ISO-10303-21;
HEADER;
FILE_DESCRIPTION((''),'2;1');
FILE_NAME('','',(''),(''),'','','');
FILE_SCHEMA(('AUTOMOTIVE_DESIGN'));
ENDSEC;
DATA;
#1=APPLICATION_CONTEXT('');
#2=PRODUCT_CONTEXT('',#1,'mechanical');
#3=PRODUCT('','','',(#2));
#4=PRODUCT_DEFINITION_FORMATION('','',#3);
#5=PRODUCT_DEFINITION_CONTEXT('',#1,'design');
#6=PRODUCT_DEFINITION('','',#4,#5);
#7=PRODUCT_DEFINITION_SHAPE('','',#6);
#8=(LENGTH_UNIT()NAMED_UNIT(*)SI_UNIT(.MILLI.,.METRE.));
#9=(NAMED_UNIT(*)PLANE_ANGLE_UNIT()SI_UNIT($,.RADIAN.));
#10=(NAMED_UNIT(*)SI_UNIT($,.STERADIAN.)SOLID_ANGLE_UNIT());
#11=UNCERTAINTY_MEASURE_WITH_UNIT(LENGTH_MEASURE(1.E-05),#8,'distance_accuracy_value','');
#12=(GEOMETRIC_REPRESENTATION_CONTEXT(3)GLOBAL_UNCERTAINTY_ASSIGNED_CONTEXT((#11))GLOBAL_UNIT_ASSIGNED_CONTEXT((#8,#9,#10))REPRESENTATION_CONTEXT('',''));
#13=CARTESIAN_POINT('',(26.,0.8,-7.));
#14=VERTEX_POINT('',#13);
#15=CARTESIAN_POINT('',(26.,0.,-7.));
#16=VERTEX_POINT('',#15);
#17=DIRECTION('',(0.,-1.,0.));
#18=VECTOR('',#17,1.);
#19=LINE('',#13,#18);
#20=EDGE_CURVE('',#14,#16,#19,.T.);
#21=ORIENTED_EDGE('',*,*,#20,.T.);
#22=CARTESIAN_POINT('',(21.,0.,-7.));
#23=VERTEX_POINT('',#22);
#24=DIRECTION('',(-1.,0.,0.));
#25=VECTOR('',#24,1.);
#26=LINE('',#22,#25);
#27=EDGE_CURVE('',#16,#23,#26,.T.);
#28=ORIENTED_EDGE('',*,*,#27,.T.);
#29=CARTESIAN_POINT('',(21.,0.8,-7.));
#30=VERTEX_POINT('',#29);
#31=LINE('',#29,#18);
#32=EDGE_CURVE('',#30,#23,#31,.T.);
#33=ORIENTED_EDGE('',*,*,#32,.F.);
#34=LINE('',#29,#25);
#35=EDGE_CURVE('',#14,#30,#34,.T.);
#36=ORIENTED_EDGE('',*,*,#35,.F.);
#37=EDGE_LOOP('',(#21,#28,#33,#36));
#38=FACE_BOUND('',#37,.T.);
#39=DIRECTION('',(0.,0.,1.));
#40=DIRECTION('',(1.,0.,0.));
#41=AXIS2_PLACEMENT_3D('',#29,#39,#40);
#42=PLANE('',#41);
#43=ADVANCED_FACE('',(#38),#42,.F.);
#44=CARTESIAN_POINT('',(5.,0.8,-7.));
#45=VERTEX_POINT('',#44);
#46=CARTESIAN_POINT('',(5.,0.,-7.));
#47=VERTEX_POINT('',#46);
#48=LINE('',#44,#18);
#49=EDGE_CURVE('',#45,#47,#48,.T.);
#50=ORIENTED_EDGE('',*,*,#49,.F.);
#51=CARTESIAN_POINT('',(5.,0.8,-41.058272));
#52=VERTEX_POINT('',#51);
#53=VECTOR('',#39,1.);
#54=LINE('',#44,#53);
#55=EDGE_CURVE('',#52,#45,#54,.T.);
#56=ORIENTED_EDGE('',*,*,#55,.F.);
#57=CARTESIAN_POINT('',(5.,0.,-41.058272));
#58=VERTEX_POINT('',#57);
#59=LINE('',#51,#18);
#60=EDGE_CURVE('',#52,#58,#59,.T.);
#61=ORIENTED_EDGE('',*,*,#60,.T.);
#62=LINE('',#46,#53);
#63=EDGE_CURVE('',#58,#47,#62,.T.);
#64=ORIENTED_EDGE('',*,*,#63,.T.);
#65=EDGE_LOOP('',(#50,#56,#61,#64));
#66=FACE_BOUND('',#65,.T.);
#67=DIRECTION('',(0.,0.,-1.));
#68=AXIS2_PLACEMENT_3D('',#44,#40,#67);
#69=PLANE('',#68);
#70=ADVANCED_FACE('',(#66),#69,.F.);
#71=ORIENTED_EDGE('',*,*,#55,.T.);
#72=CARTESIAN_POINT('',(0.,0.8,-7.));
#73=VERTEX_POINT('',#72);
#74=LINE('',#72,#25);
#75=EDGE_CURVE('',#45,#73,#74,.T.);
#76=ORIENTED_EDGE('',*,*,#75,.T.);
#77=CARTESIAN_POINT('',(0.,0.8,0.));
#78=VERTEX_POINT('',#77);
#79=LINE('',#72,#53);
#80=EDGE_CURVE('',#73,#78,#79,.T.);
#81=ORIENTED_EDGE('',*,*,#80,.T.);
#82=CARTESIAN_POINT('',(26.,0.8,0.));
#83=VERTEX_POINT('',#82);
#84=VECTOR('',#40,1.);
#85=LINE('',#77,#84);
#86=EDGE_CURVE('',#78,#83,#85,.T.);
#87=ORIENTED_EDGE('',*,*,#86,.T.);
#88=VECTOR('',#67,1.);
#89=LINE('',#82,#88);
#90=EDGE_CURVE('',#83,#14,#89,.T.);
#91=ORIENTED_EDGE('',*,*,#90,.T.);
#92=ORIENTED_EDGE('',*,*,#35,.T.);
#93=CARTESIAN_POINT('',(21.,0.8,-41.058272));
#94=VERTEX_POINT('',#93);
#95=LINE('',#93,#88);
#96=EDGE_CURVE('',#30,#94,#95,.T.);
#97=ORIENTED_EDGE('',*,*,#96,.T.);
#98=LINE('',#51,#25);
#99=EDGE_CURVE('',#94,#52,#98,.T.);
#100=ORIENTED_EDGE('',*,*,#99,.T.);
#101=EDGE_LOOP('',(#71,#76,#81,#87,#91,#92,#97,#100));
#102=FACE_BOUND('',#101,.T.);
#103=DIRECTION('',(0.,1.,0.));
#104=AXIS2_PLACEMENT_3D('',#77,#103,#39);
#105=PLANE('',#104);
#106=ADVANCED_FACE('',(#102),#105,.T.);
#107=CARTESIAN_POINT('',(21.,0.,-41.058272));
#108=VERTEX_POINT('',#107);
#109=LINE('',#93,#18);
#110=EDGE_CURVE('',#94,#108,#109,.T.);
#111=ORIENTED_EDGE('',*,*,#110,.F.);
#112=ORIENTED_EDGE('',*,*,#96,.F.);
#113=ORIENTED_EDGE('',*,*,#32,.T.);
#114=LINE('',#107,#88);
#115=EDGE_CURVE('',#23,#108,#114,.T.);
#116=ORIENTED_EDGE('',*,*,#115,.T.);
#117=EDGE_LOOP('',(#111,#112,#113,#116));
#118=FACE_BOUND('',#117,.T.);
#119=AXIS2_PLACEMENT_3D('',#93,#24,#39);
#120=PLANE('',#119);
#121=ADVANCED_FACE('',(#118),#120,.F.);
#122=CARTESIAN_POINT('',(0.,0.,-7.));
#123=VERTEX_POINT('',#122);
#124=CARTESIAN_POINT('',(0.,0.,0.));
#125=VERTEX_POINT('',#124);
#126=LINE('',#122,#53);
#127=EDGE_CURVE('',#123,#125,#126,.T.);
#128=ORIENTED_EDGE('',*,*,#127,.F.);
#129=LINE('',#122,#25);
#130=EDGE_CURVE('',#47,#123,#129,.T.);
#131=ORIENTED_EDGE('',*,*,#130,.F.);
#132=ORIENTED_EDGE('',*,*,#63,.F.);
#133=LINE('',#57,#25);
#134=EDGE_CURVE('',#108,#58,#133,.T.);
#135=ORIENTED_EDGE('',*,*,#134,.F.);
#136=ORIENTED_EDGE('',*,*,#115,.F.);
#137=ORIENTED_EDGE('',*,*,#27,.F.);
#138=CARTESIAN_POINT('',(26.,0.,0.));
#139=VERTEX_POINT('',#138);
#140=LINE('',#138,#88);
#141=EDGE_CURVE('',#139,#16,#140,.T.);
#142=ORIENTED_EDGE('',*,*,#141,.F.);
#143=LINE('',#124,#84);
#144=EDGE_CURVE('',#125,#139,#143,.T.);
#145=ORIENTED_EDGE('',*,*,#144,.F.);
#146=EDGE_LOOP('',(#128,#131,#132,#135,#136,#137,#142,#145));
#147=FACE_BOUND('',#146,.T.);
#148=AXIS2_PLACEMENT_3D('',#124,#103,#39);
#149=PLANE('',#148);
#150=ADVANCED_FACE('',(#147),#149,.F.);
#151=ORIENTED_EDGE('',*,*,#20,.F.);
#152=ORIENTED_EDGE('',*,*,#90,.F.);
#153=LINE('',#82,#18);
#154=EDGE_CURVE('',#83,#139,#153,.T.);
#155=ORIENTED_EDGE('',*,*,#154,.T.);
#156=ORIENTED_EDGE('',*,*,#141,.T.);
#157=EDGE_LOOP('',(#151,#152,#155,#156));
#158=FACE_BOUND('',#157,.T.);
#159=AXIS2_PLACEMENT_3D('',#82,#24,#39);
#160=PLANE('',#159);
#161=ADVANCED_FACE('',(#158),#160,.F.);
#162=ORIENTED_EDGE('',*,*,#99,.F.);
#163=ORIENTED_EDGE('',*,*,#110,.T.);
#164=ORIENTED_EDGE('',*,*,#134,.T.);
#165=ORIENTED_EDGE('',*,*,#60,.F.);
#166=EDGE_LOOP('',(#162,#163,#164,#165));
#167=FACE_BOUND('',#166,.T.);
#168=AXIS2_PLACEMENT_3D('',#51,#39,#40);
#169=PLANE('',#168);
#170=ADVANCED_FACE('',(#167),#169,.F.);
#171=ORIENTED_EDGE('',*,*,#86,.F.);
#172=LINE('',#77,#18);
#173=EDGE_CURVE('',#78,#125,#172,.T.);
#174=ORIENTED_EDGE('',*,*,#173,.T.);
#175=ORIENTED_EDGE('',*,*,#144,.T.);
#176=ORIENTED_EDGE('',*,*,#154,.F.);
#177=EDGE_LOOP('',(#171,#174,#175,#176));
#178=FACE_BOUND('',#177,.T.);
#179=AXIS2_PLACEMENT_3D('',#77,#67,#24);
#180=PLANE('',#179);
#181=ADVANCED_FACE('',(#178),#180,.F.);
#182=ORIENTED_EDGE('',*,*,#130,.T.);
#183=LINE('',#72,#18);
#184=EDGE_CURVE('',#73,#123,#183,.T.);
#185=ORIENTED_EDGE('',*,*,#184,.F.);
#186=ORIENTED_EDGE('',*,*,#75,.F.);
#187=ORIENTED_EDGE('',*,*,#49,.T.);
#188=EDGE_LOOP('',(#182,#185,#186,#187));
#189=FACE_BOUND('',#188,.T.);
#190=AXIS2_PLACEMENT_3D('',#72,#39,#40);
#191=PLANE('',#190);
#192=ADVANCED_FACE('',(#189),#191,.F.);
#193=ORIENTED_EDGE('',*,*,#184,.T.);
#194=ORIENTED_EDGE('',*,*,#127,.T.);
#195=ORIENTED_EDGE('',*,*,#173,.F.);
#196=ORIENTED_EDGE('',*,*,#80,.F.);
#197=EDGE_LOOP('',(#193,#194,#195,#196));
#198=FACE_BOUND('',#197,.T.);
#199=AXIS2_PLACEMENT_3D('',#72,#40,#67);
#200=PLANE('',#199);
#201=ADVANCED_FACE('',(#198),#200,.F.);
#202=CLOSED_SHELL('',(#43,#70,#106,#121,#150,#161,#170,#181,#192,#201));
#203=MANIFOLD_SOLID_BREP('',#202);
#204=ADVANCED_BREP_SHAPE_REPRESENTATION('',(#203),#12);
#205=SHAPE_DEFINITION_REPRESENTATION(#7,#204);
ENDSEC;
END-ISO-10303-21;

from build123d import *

# Parameters (mm, degrees)
RESSALTO_EXTRUS_O1_DEPTH = 0.8


with BuildPart() as part:
    # Esboço1 → Ressalto-extrusão1 (new body)
    with BuildSketch(Plane(origin=(0, 0, 0), x_dir=(1, 0, 0), z_dir=(0, 1, 0))):
        Polygon((0, 0), (26, 0), (26, 7), (21, 7), (21, 41.05827232), (5, 41.05827232), (5, 7), (0, 7), align=None)
    extrude(amount=RESSALTO_EXTRUS_O1_DEPTH)


solid = part.part
